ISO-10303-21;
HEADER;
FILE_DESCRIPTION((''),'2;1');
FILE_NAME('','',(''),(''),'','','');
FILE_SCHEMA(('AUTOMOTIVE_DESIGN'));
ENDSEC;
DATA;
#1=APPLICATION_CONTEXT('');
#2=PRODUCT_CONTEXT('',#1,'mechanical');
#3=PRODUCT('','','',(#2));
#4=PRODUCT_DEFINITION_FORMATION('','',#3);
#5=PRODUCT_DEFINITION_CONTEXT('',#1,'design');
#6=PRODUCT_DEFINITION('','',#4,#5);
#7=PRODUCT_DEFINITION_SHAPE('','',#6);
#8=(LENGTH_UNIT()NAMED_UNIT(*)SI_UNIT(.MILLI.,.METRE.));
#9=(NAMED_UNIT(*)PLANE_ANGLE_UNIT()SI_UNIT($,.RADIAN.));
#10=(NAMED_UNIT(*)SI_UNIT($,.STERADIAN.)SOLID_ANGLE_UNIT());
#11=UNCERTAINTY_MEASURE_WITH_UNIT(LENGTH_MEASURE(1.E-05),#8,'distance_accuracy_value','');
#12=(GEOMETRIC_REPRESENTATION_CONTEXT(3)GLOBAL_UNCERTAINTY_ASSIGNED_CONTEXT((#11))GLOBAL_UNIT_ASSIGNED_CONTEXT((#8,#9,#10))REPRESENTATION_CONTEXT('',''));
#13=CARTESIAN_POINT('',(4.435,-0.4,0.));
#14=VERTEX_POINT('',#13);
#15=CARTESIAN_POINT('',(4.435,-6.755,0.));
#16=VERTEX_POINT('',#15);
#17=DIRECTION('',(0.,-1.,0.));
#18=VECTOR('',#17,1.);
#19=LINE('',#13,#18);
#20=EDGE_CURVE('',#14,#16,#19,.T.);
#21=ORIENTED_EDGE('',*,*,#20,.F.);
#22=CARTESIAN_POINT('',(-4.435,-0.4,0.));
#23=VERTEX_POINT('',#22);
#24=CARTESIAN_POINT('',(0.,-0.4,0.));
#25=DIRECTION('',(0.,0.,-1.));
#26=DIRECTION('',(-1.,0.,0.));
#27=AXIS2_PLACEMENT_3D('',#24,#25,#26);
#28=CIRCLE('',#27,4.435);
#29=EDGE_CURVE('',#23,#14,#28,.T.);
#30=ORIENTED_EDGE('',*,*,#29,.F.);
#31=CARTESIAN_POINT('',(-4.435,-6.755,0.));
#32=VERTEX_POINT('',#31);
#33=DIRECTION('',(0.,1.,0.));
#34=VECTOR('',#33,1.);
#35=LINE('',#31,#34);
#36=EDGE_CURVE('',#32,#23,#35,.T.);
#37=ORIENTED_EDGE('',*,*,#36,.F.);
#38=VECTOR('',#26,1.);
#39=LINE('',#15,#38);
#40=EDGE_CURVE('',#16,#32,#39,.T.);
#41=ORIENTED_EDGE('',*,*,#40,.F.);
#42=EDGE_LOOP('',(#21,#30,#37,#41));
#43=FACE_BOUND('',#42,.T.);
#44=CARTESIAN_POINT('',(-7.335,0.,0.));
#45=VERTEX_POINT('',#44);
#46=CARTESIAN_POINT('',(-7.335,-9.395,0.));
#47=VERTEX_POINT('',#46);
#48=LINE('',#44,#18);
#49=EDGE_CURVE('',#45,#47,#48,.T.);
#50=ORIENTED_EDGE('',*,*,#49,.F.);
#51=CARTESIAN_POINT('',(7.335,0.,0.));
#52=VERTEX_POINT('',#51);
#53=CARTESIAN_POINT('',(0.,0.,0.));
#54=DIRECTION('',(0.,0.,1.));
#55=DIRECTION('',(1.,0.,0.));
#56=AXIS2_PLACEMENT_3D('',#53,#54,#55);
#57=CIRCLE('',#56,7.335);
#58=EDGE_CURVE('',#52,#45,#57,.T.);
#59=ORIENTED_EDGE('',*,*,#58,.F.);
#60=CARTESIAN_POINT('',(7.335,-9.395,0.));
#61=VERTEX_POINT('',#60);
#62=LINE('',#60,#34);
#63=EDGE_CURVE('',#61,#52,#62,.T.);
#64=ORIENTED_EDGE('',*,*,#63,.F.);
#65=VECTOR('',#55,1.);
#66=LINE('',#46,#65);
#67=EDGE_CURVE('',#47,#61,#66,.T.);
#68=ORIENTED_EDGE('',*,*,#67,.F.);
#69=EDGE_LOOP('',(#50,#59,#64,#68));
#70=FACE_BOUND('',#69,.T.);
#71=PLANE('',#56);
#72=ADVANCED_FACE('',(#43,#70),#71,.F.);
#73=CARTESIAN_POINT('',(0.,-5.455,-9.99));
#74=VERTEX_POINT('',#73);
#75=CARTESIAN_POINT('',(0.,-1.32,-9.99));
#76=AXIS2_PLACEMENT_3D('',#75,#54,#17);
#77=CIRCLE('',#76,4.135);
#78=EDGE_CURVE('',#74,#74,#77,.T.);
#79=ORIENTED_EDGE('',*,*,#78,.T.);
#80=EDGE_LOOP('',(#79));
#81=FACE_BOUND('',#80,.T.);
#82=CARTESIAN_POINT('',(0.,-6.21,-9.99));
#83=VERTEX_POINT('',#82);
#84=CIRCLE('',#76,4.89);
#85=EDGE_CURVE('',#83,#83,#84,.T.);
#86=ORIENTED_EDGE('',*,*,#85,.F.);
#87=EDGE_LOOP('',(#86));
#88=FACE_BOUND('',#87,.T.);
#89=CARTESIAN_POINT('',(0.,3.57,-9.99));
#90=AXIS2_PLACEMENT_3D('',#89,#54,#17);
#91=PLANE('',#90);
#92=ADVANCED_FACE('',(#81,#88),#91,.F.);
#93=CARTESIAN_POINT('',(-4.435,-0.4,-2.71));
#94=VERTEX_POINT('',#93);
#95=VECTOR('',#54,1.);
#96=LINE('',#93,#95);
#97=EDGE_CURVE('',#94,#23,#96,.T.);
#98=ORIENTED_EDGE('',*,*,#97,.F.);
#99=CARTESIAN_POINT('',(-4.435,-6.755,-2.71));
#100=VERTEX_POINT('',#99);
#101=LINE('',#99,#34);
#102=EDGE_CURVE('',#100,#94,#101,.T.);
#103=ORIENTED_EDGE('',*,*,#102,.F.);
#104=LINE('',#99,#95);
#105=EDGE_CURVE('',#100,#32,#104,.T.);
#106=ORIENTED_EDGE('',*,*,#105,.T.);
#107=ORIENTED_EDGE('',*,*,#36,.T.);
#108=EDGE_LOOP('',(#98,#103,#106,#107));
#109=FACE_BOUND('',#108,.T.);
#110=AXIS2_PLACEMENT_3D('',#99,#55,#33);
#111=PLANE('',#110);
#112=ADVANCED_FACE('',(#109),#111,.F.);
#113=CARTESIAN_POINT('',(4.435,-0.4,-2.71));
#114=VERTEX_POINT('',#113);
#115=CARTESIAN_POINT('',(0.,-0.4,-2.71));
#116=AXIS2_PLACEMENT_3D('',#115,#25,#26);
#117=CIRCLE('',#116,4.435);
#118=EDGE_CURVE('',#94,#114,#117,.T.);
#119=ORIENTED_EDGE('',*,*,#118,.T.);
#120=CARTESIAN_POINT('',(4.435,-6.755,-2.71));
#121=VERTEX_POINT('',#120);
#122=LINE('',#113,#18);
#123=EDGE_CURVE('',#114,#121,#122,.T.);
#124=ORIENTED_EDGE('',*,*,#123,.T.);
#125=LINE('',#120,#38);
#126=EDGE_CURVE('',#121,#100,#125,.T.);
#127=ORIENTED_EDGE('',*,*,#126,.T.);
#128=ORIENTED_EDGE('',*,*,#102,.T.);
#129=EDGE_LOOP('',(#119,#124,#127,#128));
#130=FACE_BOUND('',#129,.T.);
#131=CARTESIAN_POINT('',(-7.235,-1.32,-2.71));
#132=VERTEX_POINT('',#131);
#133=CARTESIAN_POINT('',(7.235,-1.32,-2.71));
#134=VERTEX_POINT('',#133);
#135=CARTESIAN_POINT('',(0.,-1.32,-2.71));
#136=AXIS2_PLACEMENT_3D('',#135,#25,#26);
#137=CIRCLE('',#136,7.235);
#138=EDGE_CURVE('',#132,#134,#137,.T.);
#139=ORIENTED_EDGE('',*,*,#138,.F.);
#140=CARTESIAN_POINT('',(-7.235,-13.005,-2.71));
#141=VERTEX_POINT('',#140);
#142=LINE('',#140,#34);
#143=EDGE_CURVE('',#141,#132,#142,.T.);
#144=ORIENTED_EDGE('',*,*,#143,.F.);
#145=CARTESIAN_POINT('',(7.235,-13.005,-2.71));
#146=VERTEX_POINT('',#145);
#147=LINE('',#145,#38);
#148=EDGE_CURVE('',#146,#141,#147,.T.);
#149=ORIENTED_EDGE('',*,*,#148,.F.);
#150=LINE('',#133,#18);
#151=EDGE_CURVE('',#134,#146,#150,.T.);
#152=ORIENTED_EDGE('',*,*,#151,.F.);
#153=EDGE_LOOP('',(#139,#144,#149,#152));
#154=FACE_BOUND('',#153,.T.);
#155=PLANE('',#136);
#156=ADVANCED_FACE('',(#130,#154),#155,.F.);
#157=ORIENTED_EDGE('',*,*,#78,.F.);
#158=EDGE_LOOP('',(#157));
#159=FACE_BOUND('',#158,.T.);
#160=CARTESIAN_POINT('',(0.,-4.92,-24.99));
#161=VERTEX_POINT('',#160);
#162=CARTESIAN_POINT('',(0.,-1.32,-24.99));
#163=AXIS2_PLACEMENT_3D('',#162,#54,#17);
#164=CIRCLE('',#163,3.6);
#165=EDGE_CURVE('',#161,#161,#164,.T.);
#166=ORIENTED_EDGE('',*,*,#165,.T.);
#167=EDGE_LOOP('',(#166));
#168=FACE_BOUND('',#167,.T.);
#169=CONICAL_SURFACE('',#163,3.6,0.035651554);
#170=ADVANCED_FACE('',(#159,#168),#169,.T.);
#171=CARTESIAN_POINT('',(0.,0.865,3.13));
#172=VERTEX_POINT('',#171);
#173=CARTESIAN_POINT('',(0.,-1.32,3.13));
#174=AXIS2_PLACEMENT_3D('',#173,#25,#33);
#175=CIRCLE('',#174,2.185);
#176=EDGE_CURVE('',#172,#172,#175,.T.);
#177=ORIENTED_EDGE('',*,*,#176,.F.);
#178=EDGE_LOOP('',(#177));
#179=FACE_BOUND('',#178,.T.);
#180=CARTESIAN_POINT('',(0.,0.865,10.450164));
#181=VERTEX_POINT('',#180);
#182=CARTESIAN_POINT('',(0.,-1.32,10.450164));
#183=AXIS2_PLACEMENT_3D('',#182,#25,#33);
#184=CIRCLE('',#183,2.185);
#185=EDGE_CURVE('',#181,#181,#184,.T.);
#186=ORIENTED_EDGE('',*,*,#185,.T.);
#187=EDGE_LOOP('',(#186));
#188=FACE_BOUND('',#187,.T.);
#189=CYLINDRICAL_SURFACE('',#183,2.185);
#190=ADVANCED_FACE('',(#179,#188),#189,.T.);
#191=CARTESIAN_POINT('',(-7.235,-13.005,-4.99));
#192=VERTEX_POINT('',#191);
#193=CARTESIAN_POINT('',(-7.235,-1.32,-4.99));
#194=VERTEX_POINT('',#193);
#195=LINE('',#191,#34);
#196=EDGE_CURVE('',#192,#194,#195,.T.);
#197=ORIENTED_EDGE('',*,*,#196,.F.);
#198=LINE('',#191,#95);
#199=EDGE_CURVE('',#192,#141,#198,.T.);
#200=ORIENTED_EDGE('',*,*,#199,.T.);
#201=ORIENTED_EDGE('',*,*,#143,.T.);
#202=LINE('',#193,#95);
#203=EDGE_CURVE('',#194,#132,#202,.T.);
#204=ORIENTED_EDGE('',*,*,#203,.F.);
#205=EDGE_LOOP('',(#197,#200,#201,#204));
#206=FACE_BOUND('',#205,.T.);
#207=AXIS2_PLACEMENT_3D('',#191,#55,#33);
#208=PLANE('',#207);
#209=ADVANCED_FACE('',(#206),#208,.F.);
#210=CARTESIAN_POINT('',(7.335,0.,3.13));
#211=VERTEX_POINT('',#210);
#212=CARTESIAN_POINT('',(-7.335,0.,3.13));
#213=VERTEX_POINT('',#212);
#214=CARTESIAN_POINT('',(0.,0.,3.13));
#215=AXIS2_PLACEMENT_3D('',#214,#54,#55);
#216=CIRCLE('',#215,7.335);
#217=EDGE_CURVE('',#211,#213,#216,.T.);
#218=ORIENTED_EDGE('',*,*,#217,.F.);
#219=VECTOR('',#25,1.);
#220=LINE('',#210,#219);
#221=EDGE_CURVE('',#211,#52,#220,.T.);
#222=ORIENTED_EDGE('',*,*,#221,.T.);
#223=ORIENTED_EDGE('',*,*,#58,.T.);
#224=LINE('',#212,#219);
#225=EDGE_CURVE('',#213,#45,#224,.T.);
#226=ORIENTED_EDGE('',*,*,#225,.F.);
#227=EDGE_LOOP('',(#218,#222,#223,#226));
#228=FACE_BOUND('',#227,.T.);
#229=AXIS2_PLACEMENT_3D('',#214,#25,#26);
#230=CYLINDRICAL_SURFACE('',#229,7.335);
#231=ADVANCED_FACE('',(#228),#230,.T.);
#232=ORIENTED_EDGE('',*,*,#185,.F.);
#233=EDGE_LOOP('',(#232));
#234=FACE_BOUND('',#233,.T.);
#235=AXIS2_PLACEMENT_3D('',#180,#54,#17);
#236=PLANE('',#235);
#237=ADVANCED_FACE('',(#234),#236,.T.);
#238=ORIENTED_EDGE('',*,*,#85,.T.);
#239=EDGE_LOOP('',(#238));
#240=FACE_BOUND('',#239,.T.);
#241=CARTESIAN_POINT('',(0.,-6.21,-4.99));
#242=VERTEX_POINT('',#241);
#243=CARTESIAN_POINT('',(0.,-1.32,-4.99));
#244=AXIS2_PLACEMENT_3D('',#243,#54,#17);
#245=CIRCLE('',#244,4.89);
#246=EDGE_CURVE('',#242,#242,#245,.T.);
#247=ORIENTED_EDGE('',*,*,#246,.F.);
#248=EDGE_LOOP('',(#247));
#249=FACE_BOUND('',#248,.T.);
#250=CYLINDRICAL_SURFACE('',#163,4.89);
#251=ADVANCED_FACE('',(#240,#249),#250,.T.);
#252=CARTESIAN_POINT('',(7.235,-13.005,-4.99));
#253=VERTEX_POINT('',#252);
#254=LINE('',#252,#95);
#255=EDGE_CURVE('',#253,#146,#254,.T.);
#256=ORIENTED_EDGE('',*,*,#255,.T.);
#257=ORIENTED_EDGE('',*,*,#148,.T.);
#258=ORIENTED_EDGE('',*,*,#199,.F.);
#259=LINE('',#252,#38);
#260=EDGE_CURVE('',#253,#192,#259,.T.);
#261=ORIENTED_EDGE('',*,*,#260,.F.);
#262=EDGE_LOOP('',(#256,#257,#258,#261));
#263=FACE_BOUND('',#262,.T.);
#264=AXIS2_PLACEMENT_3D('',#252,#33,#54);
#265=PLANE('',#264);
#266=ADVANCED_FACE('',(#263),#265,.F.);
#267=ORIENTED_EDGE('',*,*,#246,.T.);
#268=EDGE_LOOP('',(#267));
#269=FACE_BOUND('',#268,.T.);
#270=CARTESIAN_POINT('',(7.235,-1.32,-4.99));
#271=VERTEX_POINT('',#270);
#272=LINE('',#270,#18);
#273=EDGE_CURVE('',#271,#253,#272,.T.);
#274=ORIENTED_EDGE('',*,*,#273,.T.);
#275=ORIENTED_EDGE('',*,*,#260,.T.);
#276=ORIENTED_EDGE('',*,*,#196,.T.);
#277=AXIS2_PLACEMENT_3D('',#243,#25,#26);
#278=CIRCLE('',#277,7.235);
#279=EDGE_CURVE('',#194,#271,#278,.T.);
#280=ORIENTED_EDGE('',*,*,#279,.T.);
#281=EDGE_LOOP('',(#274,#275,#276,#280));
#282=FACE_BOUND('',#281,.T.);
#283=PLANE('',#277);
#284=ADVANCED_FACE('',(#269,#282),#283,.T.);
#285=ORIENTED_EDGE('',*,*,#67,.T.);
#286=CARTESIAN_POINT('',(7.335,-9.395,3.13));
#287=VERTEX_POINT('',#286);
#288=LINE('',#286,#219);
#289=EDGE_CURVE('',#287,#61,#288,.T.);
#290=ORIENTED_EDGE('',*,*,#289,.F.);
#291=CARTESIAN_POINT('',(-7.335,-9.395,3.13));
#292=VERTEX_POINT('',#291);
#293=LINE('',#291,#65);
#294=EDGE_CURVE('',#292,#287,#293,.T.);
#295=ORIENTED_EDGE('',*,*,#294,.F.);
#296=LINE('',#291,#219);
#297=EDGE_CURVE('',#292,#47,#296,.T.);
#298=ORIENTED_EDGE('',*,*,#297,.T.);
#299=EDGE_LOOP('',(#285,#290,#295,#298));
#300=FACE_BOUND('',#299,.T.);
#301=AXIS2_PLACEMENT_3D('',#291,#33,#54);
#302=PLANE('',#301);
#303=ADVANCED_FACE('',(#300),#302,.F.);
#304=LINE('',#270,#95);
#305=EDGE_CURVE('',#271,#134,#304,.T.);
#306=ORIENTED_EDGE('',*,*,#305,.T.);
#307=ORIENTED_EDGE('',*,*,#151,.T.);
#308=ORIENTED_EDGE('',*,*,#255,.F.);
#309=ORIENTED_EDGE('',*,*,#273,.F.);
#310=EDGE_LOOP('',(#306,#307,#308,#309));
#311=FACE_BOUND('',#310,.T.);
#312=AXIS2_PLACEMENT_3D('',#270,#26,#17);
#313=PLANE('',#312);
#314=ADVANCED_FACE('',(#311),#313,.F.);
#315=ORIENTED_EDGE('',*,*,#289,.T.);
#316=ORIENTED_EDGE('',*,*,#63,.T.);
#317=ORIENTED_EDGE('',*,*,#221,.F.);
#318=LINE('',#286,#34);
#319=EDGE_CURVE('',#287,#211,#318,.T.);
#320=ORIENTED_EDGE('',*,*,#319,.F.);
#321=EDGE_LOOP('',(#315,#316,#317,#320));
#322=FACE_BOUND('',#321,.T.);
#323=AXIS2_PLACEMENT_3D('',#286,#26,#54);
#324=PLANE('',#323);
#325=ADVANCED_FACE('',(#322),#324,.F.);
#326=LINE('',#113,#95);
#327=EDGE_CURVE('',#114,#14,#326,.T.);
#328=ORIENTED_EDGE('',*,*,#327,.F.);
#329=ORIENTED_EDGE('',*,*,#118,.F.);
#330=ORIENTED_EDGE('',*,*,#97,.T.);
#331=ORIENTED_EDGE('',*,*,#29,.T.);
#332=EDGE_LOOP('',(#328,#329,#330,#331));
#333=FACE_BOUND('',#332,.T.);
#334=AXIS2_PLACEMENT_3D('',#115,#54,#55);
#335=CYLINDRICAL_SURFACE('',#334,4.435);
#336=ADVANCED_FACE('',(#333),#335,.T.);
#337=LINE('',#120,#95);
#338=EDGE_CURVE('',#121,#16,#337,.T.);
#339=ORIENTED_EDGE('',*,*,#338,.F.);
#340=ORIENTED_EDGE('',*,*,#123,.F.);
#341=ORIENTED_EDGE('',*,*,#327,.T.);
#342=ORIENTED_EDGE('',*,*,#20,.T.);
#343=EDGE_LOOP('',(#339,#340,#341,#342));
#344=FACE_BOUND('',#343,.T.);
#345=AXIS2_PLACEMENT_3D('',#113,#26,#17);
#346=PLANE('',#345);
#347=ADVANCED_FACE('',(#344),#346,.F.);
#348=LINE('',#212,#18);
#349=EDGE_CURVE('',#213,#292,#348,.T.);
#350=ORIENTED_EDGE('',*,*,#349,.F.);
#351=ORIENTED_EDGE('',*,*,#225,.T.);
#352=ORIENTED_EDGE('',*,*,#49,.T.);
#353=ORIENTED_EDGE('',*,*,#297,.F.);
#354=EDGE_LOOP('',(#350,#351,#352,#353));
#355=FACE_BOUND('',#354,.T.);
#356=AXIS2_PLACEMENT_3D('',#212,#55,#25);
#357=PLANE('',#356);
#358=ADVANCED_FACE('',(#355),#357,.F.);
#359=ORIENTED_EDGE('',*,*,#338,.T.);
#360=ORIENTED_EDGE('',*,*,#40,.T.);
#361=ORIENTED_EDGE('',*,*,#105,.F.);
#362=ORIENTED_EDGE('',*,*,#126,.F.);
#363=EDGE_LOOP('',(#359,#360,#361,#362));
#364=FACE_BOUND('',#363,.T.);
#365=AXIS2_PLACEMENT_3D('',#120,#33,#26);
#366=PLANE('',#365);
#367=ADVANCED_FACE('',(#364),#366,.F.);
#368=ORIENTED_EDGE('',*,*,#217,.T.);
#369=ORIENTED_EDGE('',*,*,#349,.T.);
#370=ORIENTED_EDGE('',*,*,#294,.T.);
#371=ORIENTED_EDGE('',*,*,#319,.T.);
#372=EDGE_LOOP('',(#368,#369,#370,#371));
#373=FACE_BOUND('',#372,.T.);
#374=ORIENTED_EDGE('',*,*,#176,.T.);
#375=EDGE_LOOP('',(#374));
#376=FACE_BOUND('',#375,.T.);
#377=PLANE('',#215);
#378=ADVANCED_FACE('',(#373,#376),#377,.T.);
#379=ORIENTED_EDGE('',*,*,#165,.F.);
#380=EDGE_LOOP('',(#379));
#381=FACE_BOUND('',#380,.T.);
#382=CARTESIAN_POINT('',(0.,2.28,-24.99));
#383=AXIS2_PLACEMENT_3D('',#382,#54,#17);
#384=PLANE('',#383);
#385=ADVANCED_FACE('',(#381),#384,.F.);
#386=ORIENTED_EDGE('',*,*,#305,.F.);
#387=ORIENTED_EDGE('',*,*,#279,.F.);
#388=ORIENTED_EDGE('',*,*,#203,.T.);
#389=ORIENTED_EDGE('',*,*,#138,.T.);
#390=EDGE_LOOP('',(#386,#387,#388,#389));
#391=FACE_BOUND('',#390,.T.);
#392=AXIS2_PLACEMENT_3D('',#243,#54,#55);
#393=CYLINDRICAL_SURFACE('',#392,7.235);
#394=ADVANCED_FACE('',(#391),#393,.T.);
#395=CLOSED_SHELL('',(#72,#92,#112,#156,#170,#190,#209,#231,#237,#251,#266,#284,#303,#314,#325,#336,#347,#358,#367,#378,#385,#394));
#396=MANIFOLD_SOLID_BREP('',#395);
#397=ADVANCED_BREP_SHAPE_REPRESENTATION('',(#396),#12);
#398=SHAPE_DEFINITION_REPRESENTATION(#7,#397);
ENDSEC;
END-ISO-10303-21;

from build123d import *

# Parameters (mm, degrees)
BOSS_EXTRUDE1_DEPTH = 3.13
BOSS_EXTRUDE2_DEPTH = 2.71
BOSS_EXTRUDE3_DEPTH = 2.28
SKETCH6_W           = 7.320164266
SKETCH6_H           = 2.185


with BuildPart() as part:
    # Sketch1 → Boss-Extrude1 (new body)
    with BuildSketch(Plane.XY):
        with BuildLine():
            Line((-7.335, 0), (-7.335, -9.395))
            Line((-7.335, -9.395), (7.335, -9.395))
            Line((7.335, -9.395), (7.335, 0))
            ThreePointArc((7.335, 0), (0, 7.335), (-7.335, 0))
        make_face()
    extrude(amount=BOSS_EXTRUDE1_DEPTH)

    # Sketch2 → Boss-Extrude2 (add)
    with BuildSketch(Plane(origin=(0, 0, 0), x_dir=(-1, 0, 0), z_dir=(0, 0, -1))):
        with BuildLine():
            Line((-4.435, -0.4), (-4.435, -6.755))
            Line((-4.435, -6.755), (4.435, -6.755))
            Line((4.435, -6.755), (4.435, -0.4))
            ThreePointArc((4.435, -0.4), (0, 4.035), (-4.435, -0.4))
        make_face()
    extrude(amount=BOSS_EXTRUDE2_DEPTH)

    # Sketch3 → Boss-Extrude3 (add)
    with BuildSketch(Plane(origin=(0, 0, -2.71), x_dir=(-1, 0, 0), z_dir=(0, 0, -1))):
        with BuildLine():
            Line((-7.235, -13.005), (7.235, -13.005))
            Line((7.235, -13.005), (7.235, -1.32))
            ThreePointArc((7.235, -1.32), (0, 5.915), (-7.235, -1.32))
            Line((-7.235, -1.32), (-7.235, -13.005))
        make_face()
    extrude(amount=BOSS_EXTRUDE3_DEPTH)

    # Sketch5 → Revolve1 (revolve)
    with BuildSketch(Plane(origin=(0, 0, 0), x_dir=(0, 0, -1), z_dir=(1, 0, 0)), mode=Mode.PRIVATE) as revolve1_sk:
        Polygon((4.99, 3.57), (9.99, 3.57), (9.99, 2.815), (24.99, 2.28), (24.99, -1.32), (4.99, -1.32), align=None)
    revolve(revolve1_sk.sketch.rotate(Axis((0, -1.32, -24.99), (0, 0, -1)), 180), axis=Axis((0, -1.32, -24.99), (0, 0, -1)))

    # Sketch6 → Revolve2 (revolve)
    with BuildSketch(Plane(origin=(0, 0, 0), x_dir=(0, 0, -1), z_dir=(1, 0, 0))):
        with Locations((-6.790082133, -0.2275)):
            Rectangle(SKETCH6_W, SKETCH6_H)
    revolve(axis=Axis((0, -1.32, 10.450164266), (0, 0, 1)))


solid = part.part
